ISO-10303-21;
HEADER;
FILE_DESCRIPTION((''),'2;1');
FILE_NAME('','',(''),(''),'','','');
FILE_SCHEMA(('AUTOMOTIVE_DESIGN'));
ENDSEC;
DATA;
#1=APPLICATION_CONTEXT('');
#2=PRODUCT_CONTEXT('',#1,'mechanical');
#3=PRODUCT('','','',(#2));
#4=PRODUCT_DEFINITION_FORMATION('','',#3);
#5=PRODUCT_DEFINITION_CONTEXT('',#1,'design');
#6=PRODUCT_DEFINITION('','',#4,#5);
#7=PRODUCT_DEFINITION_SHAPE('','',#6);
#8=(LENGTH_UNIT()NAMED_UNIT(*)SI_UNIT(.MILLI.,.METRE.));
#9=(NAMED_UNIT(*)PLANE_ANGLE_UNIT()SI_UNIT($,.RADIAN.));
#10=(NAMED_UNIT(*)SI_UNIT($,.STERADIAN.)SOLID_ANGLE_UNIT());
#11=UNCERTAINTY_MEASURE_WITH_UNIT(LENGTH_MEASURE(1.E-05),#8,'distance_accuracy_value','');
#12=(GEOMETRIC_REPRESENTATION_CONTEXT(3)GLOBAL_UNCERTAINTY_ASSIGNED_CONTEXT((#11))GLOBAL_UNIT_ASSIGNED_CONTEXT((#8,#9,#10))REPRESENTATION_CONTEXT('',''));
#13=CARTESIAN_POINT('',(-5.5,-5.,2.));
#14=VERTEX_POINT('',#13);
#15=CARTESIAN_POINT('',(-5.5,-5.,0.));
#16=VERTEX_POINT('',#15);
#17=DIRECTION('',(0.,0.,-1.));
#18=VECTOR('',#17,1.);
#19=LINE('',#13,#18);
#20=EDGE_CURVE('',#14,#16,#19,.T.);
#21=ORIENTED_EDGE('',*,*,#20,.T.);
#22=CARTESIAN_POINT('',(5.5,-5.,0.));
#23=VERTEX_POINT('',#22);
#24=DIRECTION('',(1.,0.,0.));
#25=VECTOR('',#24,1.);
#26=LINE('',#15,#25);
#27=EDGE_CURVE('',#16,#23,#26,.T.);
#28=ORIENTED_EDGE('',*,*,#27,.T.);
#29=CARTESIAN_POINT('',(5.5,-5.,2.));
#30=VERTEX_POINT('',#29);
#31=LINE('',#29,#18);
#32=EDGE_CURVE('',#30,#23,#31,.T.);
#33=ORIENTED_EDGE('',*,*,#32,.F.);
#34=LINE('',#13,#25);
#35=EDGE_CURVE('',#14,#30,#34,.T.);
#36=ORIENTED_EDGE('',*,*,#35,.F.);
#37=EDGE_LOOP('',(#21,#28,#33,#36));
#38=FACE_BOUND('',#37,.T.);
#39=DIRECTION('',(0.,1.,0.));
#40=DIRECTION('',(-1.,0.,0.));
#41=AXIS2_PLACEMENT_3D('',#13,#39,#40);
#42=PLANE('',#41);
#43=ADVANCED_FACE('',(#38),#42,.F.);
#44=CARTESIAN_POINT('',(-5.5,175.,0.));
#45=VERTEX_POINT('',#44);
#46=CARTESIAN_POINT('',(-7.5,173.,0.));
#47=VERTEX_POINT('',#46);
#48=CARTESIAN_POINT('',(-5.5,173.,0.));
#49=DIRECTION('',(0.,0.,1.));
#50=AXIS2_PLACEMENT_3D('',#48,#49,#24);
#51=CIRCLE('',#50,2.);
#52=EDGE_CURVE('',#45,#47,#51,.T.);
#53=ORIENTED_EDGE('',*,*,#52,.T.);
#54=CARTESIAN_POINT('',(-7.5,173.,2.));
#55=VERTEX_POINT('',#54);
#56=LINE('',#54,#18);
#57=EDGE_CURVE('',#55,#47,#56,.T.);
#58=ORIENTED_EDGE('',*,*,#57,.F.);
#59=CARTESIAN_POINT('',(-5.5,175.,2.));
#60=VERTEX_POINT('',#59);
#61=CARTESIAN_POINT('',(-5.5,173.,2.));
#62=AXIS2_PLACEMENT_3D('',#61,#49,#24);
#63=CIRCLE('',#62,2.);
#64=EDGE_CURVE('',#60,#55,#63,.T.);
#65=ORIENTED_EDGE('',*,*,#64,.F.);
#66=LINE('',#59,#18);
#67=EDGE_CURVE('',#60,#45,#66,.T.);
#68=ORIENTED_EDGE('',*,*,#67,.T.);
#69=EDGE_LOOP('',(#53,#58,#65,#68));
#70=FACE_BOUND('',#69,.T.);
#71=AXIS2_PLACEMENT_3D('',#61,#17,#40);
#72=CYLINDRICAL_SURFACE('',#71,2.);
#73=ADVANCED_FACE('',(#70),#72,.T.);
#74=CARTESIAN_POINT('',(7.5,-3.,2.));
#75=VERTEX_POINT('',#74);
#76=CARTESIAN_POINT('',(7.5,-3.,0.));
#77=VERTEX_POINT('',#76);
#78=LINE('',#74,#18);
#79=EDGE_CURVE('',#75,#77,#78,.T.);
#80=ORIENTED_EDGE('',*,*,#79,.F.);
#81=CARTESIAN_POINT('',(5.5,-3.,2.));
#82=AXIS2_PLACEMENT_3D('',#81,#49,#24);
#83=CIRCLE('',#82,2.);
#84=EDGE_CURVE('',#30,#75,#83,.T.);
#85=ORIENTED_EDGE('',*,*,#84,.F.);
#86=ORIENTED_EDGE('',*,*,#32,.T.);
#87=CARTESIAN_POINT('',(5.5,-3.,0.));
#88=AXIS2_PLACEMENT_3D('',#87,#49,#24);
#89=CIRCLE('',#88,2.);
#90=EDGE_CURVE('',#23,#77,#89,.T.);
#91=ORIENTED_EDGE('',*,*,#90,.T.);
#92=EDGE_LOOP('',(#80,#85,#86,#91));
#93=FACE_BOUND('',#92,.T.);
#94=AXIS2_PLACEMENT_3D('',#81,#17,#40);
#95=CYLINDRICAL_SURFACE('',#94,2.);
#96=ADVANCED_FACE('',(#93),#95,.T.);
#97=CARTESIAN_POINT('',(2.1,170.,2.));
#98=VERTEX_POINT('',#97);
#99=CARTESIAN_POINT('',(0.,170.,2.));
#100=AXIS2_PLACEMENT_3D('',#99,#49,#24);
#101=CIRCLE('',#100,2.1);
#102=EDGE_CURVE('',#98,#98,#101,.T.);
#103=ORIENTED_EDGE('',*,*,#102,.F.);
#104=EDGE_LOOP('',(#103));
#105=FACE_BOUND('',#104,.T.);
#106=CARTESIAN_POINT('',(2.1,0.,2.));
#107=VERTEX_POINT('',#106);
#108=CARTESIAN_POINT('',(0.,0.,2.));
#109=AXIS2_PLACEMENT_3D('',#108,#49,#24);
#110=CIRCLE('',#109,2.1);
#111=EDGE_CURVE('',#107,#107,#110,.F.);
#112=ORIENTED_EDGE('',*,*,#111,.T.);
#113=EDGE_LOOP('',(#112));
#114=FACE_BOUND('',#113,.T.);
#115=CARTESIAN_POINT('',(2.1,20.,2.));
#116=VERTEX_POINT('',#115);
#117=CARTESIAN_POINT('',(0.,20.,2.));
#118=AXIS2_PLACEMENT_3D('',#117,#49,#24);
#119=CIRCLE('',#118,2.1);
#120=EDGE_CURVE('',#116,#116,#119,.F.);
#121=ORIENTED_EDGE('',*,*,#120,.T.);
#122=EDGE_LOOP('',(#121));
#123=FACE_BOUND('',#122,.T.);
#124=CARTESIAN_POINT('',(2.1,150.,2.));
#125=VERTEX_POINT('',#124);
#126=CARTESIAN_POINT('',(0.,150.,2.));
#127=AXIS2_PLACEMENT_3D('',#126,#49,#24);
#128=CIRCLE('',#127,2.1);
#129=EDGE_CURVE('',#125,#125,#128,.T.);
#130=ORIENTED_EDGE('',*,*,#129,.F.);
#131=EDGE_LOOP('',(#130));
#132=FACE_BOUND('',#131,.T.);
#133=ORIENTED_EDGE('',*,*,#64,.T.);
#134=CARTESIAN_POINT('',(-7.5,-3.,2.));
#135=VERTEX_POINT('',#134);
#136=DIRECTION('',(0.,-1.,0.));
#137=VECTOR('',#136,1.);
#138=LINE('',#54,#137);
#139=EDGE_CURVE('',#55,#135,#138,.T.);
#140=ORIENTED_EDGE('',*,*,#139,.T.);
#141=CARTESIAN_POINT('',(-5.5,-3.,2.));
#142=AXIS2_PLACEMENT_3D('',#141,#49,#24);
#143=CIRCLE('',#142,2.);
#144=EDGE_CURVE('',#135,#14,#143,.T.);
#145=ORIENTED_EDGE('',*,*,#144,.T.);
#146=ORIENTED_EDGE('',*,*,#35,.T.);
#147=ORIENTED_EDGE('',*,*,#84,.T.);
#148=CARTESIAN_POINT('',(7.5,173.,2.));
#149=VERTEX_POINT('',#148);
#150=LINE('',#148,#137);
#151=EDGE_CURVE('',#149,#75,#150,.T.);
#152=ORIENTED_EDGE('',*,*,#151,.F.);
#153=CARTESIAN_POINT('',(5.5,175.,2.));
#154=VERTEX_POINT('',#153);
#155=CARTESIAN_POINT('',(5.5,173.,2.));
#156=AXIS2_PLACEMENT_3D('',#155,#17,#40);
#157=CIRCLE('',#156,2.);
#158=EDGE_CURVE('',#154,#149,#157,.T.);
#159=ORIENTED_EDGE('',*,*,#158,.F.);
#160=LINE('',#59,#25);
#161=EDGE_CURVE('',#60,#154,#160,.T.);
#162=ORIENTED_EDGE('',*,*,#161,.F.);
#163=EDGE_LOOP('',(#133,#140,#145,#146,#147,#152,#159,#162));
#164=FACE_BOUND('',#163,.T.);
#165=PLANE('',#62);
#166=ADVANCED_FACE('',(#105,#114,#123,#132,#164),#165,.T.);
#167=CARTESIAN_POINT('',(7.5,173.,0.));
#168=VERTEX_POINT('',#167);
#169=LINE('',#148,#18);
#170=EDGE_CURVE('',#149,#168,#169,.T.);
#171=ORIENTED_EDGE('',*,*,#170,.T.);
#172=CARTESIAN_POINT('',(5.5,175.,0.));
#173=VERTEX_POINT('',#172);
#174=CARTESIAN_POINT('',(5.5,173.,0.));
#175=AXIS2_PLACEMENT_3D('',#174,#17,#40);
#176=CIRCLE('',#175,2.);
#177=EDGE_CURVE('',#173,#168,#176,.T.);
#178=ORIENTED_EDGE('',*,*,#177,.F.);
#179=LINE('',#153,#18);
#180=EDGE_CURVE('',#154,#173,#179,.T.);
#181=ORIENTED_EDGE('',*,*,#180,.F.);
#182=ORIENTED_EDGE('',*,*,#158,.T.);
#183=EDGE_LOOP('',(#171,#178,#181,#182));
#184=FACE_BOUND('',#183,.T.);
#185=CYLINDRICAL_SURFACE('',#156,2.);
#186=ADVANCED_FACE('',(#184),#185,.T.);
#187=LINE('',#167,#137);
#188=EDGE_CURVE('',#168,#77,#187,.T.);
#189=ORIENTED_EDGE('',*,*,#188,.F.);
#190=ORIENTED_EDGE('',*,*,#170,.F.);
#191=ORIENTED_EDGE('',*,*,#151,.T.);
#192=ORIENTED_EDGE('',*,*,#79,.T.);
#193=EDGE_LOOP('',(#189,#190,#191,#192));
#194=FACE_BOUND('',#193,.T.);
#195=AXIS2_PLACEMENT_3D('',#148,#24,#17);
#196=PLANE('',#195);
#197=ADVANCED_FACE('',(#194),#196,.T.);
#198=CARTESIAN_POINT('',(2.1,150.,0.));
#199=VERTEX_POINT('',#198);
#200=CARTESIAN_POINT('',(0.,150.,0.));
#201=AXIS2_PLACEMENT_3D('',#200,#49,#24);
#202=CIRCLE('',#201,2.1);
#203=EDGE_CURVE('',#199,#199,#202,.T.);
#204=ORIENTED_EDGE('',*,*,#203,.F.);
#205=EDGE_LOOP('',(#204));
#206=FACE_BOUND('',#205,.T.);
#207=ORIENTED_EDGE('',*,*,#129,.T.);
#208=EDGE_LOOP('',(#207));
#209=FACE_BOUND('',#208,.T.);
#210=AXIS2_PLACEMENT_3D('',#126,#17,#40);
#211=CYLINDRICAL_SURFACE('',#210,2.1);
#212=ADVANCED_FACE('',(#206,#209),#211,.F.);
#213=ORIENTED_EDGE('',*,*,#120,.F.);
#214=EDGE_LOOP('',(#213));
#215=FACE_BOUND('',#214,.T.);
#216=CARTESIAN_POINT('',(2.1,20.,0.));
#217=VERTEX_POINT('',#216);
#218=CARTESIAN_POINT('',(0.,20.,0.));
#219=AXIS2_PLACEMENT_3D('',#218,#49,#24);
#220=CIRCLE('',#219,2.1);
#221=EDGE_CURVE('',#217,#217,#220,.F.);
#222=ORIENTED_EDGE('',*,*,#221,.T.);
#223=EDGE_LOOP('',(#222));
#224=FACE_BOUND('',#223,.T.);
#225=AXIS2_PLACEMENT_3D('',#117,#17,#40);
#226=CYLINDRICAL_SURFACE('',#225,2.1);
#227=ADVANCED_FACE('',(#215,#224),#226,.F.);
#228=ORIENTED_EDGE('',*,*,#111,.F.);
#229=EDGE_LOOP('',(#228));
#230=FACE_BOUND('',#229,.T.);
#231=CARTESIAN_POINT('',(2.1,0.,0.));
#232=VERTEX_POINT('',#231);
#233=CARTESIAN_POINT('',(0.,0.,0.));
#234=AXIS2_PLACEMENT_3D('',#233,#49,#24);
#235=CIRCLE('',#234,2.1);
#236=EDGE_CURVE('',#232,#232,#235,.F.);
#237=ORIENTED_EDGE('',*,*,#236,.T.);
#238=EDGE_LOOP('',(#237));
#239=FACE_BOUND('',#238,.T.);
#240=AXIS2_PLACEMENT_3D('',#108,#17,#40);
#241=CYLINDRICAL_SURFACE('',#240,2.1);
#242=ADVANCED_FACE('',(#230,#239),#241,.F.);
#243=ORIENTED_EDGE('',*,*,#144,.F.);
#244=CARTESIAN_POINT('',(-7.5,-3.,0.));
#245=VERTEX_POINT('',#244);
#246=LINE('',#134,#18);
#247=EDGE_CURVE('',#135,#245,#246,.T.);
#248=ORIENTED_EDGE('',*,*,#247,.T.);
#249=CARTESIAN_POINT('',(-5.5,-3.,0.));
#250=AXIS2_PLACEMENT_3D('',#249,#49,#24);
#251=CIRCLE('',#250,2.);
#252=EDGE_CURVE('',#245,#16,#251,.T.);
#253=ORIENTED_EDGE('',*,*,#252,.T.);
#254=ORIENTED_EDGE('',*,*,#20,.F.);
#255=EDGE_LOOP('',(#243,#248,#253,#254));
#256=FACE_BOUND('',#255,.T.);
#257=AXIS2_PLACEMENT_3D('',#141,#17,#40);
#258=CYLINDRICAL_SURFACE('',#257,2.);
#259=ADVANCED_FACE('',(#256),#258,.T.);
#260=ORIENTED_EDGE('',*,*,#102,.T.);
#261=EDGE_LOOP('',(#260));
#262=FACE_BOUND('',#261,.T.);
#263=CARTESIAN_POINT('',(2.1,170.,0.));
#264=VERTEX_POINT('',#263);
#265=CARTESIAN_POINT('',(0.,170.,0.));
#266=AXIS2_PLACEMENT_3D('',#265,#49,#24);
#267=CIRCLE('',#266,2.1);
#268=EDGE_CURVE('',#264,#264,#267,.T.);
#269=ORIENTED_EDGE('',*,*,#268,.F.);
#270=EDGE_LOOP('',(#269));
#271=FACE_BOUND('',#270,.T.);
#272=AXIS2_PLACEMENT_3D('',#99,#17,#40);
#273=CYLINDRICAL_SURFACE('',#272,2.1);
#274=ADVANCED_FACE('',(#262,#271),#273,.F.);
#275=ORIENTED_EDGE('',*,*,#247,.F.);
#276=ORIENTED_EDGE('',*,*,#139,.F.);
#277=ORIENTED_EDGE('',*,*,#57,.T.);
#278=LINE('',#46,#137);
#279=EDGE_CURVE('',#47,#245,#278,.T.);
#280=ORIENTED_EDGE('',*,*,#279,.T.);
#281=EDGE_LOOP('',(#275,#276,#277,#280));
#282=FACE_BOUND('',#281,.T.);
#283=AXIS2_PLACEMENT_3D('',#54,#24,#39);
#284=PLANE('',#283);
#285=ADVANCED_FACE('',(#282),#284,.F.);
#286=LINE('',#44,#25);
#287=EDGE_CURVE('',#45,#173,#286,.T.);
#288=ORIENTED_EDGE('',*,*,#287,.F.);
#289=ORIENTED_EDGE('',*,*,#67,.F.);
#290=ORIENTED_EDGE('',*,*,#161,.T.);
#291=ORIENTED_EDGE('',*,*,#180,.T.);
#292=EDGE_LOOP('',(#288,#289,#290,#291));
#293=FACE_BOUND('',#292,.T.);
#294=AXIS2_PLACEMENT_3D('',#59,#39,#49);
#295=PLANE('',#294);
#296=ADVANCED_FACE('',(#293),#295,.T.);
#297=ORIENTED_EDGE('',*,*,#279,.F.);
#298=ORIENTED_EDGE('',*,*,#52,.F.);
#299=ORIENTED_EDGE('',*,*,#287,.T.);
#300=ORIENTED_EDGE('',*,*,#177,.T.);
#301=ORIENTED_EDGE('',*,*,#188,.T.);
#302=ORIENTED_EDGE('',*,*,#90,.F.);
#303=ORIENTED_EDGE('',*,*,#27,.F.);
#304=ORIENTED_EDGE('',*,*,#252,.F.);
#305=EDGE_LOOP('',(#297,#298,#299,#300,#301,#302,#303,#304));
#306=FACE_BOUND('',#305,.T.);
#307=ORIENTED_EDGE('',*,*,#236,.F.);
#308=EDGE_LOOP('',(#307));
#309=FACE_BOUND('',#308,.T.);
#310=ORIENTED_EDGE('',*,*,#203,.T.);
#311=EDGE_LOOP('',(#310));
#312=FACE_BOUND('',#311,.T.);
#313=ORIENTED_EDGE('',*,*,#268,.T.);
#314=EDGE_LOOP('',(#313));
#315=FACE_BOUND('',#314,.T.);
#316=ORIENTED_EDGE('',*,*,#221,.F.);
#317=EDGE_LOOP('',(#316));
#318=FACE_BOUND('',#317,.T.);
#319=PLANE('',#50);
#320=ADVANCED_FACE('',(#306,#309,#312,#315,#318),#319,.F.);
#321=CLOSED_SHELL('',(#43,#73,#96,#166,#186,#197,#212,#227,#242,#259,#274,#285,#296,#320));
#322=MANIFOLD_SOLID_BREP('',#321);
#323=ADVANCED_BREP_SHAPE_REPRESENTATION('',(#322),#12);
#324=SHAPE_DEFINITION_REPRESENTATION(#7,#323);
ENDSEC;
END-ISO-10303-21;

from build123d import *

# Parameters (mm, degrees)
SKETCH_1_R      = 2.1
EXTRUDE_1_DEPTH = 2


with BuildPart() as part:
    # Эскиз1 → Бобышка-Вытянуть1 (new body)
    with BuildSketch(Plane.XY):
        with BuildLine():
            Line((-7.5, 173), (-7.5, -3))
            ThreePointArc((-7.5, -3), (-6.914213562, -4.414213562), (-5.5, -5))
            Line((-5.5, -5), (5.5, -5))
            ThreePointArc((5.5, -5), (6.914213562, -4.414213562), (7.5, -3))
            Line((7.5, -3), (7.5, 173))
            ThreePointArc((7.5, 173), (6.914213562, 174.414213562), (5.5, 175))
            Line((5.5, 175), (-5.5, 175))
            ThreePointArc((-5.5, 175), (-6.914213562, 174.414213562), (-7.5, 173))
        make_face()
        with Locations((0, 170)):
            Circle(SKETCH_1_R, mode=Mode.SUBTRACT)
        with Locations((0, 150)):
            Circle(SKETCH_1_R, mode=Mode.SUBTRACT)
        with Locations((0, 20)):
            Circle(SKETCH_1_R, mode=Mode.SUBTRACT)
        Circle(SKETCH_1_R, mode=Mode.SUBTRACT)
    extrude(amount=EXTRUDE_1_DEPTH)


solid = part.part
